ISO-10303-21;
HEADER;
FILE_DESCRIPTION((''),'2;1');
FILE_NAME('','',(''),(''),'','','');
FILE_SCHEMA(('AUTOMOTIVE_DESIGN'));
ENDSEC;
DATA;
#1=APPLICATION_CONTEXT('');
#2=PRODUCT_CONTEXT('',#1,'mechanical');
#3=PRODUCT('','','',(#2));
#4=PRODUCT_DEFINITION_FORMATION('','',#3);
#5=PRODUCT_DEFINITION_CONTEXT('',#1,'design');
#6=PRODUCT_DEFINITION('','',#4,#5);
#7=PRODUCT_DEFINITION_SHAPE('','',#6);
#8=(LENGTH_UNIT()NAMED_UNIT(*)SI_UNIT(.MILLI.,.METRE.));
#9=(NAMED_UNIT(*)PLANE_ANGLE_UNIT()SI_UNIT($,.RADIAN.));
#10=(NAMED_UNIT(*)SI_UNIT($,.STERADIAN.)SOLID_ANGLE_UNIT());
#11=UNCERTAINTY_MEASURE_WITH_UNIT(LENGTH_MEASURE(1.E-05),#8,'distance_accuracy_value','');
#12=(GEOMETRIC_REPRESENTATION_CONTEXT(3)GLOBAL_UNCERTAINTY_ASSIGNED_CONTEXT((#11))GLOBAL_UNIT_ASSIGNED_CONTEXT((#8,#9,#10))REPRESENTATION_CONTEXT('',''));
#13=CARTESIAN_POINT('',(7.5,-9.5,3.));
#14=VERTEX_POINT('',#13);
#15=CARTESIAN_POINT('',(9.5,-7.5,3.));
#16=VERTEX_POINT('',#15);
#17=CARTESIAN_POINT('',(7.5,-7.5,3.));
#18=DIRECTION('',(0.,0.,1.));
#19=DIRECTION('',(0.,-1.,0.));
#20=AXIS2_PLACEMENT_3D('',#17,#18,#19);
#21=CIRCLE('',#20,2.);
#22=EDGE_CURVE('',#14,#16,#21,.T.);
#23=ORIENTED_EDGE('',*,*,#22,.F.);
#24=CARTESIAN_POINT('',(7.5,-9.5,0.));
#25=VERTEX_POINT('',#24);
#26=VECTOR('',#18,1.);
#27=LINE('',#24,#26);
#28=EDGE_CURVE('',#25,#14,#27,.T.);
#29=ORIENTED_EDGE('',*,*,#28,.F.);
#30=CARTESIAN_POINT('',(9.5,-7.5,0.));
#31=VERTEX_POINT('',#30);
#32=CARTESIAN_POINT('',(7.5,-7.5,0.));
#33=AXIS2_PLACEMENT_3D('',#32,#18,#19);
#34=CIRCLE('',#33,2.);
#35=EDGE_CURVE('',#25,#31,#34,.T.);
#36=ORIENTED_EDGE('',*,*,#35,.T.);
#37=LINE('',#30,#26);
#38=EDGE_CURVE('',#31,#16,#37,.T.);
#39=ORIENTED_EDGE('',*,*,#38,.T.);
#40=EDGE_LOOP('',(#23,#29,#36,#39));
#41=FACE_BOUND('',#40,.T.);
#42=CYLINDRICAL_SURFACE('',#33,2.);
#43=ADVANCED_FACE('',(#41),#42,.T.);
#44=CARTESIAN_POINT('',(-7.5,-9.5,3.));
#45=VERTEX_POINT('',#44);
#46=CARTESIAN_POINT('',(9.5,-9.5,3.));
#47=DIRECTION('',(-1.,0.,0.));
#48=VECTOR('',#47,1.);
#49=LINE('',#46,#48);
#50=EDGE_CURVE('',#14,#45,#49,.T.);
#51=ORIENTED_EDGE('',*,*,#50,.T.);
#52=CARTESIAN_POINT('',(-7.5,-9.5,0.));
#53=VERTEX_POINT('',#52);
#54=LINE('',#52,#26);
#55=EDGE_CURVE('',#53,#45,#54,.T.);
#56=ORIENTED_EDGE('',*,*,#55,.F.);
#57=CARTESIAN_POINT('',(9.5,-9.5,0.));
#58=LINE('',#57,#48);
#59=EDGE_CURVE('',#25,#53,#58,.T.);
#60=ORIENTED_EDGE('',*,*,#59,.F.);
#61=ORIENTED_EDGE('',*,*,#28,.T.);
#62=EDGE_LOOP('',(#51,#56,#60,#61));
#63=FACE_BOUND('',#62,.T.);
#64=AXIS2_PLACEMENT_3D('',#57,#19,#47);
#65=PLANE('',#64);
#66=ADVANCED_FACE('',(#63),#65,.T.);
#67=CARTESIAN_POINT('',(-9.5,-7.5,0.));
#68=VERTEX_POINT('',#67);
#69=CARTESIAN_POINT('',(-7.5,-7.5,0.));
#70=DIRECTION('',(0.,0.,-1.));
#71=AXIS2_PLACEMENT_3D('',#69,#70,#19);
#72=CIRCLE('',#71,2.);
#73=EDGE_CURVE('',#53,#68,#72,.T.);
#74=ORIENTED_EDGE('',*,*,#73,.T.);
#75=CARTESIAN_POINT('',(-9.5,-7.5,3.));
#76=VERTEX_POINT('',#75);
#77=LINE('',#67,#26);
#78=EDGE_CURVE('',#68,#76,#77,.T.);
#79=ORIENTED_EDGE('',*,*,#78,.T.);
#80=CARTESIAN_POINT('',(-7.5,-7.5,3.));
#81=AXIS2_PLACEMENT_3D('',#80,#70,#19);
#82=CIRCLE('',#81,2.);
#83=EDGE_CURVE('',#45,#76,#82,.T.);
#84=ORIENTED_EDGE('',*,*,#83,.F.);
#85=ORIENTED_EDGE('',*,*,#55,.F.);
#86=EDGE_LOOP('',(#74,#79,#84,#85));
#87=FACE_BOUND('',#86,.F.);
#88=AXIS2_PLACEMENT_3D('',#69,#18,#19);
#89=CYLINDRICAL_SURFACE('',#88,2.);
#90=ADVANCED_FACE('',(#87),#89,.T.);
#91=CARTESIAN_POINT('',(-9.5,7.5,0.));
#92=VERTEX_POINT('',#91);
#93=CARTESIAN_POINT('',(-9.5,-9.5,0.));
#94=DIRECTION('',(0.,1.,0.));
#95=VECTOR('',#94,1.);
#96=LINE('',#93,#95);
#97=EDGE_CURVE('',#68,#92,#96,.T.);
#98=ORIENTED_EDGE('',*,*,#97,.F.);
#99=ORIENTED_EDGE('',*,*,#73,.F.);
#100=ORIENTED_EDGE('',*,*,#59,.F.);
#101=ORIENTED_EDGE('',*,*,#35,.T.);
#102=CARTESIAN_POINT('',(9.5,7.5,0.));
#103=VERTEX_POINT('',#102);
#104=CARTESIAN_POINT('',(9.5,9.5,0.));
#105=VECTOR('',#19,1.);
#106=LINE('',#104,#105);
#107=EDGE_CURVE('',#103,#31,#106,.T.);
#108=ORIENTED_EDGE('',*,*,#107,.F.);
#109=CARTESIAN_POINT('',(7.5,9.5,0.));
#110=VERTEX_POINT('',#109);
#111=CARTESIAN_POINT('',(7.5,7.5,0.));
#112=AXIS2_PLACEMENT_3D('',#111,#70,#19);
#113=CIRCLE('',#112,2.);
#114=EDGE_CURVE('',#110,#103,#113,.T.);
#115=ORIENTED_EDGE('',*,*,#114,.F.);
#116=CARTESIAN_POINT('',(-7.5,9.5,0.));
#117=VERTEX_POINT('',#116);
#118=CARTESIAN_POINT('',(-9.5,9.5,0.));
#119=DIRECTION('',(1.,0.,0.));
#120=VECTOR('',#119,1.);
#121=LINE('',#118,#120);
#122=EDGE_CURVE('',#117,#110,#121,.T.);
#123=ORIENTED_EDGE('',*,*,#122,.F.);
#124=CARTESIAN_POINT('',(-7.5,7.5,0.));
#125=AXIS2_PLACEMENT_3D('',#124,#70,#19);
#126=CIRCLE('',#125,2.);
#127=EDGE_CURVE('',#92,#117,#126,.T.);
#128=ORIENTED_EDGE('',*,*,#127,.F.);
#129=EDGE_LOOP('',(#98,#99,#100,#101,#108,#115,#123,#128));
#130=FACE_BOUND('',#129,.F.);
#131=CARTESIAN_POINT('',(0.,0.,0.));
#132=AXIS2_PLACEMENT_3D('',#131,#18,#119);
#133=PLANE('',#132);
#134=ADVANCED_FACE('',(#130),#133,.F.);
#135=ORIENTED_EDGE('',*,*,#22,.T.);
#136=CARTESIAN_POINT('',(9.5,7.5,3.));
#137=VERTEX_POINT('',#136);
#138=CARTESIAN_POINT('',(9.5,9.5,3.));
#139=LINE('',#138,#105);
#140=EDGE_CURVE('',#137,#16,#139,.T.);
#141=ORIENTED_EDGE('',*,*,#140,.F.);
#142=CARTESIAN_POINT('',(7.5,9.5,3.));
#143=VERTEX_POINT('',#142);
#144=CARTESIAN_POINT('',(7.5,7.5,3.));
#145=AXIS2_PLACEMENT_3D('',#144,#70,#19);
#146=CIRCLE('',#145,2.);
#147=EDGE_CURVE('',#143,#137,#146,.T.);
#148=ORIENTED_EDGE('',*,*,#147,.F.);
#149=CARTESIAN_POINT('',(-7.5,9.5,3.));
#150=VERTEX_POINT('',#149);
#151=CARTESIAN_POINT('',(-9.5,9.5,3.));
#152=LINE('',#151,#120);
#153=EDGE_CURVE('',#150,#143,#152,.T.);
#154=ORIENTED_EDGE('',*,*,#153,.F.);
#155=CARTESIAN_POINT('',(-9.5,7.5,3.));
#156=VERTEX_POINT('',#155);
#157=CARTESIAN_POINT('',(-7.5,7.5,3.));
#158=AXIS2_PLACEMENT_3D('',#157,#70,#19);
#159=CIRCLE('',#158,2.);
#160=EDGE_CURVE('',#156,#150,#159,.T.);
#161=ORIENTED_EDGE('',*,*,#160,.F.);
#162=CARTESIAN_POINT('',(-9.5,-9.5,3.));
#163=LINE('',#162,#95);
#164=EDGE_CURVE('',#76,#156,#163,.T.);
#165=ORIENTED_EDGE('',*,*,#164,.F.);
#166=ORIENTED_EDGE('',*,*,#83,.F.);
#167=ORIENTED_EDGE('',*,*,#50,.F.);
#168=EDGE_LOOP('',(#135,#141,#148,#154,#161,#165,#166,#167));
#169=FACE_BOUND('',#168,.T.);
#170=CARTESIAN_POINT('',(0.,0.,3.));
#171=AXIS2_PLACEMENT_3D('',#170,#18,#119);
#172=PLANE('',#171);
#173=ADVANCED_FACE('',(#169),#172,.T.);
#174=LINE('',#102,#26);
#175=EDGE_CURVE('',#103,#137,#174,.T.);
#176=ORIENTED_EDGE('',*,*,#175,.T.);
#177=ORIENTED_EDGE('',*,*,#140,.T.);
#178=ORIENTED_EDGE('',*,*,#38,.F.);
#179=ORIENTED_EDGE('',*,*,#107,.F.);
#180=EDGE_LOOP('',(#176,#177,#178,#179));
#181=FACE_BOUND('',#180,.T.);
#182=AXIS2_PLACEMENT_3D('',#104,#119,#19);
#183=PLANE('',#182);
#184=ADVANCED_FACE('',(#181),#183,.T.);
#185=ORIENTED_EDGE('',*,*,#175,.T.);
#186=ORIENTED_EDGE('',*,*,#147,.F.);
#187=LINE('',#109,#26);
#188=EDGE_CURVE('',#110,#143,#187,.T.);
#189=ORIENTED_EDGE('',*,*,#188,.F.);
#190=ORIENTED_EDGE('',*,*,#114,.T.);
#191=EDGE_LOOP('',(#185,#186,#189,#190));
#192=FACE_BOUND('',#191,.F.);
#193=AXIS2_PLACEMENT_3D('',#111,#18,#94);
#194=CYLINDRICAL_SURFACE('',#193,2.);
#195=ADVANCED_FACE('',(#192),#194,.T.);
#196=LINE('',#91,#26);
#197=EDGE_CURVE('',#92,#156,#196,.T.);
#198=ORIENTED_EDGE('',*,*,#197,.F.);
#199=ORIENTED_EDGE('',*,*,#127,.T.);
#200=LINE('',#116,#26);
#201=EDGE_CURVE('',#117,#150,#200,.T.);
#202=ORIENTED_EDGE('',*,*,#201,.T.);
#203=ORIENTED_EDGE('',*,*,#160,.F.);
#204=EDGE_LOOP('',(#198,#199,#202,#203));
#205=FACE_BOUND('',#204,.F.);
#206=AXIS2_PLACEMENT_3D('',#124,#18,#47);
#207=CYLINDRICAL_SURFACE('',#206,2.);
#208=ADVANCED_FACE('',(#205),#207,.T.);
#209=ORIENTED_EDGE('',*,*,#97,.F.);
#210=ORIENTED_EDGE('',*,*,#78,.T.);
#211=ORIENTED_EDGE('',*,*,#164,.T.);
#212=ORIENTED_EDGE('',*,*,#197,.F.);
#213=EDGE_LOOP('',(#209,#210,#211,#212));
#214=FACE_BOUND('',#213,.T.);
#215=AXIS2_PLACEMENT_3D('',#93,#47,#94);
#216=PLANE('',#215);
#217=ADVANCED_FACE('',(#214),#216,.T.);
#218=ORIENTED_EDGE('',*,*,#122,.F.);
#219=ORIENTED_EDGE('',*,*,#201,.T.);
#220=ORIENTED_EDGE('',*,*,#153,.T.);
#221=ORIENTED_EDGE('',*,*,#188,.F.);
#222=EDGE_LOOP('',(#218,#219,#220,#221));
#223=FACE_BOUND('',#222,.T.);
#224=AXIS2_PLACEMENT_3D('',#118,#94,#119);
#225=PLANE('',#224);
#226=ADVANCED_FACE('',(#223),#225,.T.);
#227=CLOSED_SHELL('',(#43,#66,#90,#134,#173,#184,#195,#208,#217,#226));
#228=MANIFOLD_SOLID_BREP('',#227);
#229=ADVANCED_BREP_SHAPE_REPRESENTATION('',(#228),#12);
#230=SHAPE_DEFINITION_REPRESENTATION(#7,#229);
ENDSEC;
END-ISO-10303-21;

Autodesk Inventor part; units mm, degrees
ref_plane "YZ Plane" through (0, 0, 0) normal (1, 0, 0) x (0, 1, 0)
ref_plane "XZ Plane" through (0, 0, 0) normal (0, 1, 0) x (-1, 0, 0)
ref_plane "XY Plane" through (0, 0, 0) normal (0, 0, 1) x (1, 0, 0)
sketch "草图1" plane through (0, 0, 0) normal (0, 0, 1) x (1, 0, 0)
  line L0 (9.5, -9.5) -> (-9.5, -9.5)
  line L1 (-9.5, -9.5) -> (-9.5, 9.5)
  line L2 (-9.5, 9.5) -> (9.5, 9.5)
  line L3 (9.5, 9.5) -> (9.5, -9.5)
  line L4 (9.5, -9.5) -> (-9.5, 9.5) construction
  line L5 (-9.5, -9.5) -> (9.5, 9.5) construction
  point P0 (0, 0)
  dimension "d0" = 19
  dimension "d1" = 19
extrude "拉伸1" add sketch "草图1" along normal blind 3
fillet "圆角1" radius 2 4 edges at (-9.5, -9.5, 1.5) (9.5, -9.5, 1.5) (9.5, 9.5, 1.5) (-9.5, 9.5, 1.5)
sketch "草图2" plane through (0, 0, 0) normal (0, 0, -1) x (-1, 0, 0)
  point P0 (0, 0)
properties part number "实体8"
